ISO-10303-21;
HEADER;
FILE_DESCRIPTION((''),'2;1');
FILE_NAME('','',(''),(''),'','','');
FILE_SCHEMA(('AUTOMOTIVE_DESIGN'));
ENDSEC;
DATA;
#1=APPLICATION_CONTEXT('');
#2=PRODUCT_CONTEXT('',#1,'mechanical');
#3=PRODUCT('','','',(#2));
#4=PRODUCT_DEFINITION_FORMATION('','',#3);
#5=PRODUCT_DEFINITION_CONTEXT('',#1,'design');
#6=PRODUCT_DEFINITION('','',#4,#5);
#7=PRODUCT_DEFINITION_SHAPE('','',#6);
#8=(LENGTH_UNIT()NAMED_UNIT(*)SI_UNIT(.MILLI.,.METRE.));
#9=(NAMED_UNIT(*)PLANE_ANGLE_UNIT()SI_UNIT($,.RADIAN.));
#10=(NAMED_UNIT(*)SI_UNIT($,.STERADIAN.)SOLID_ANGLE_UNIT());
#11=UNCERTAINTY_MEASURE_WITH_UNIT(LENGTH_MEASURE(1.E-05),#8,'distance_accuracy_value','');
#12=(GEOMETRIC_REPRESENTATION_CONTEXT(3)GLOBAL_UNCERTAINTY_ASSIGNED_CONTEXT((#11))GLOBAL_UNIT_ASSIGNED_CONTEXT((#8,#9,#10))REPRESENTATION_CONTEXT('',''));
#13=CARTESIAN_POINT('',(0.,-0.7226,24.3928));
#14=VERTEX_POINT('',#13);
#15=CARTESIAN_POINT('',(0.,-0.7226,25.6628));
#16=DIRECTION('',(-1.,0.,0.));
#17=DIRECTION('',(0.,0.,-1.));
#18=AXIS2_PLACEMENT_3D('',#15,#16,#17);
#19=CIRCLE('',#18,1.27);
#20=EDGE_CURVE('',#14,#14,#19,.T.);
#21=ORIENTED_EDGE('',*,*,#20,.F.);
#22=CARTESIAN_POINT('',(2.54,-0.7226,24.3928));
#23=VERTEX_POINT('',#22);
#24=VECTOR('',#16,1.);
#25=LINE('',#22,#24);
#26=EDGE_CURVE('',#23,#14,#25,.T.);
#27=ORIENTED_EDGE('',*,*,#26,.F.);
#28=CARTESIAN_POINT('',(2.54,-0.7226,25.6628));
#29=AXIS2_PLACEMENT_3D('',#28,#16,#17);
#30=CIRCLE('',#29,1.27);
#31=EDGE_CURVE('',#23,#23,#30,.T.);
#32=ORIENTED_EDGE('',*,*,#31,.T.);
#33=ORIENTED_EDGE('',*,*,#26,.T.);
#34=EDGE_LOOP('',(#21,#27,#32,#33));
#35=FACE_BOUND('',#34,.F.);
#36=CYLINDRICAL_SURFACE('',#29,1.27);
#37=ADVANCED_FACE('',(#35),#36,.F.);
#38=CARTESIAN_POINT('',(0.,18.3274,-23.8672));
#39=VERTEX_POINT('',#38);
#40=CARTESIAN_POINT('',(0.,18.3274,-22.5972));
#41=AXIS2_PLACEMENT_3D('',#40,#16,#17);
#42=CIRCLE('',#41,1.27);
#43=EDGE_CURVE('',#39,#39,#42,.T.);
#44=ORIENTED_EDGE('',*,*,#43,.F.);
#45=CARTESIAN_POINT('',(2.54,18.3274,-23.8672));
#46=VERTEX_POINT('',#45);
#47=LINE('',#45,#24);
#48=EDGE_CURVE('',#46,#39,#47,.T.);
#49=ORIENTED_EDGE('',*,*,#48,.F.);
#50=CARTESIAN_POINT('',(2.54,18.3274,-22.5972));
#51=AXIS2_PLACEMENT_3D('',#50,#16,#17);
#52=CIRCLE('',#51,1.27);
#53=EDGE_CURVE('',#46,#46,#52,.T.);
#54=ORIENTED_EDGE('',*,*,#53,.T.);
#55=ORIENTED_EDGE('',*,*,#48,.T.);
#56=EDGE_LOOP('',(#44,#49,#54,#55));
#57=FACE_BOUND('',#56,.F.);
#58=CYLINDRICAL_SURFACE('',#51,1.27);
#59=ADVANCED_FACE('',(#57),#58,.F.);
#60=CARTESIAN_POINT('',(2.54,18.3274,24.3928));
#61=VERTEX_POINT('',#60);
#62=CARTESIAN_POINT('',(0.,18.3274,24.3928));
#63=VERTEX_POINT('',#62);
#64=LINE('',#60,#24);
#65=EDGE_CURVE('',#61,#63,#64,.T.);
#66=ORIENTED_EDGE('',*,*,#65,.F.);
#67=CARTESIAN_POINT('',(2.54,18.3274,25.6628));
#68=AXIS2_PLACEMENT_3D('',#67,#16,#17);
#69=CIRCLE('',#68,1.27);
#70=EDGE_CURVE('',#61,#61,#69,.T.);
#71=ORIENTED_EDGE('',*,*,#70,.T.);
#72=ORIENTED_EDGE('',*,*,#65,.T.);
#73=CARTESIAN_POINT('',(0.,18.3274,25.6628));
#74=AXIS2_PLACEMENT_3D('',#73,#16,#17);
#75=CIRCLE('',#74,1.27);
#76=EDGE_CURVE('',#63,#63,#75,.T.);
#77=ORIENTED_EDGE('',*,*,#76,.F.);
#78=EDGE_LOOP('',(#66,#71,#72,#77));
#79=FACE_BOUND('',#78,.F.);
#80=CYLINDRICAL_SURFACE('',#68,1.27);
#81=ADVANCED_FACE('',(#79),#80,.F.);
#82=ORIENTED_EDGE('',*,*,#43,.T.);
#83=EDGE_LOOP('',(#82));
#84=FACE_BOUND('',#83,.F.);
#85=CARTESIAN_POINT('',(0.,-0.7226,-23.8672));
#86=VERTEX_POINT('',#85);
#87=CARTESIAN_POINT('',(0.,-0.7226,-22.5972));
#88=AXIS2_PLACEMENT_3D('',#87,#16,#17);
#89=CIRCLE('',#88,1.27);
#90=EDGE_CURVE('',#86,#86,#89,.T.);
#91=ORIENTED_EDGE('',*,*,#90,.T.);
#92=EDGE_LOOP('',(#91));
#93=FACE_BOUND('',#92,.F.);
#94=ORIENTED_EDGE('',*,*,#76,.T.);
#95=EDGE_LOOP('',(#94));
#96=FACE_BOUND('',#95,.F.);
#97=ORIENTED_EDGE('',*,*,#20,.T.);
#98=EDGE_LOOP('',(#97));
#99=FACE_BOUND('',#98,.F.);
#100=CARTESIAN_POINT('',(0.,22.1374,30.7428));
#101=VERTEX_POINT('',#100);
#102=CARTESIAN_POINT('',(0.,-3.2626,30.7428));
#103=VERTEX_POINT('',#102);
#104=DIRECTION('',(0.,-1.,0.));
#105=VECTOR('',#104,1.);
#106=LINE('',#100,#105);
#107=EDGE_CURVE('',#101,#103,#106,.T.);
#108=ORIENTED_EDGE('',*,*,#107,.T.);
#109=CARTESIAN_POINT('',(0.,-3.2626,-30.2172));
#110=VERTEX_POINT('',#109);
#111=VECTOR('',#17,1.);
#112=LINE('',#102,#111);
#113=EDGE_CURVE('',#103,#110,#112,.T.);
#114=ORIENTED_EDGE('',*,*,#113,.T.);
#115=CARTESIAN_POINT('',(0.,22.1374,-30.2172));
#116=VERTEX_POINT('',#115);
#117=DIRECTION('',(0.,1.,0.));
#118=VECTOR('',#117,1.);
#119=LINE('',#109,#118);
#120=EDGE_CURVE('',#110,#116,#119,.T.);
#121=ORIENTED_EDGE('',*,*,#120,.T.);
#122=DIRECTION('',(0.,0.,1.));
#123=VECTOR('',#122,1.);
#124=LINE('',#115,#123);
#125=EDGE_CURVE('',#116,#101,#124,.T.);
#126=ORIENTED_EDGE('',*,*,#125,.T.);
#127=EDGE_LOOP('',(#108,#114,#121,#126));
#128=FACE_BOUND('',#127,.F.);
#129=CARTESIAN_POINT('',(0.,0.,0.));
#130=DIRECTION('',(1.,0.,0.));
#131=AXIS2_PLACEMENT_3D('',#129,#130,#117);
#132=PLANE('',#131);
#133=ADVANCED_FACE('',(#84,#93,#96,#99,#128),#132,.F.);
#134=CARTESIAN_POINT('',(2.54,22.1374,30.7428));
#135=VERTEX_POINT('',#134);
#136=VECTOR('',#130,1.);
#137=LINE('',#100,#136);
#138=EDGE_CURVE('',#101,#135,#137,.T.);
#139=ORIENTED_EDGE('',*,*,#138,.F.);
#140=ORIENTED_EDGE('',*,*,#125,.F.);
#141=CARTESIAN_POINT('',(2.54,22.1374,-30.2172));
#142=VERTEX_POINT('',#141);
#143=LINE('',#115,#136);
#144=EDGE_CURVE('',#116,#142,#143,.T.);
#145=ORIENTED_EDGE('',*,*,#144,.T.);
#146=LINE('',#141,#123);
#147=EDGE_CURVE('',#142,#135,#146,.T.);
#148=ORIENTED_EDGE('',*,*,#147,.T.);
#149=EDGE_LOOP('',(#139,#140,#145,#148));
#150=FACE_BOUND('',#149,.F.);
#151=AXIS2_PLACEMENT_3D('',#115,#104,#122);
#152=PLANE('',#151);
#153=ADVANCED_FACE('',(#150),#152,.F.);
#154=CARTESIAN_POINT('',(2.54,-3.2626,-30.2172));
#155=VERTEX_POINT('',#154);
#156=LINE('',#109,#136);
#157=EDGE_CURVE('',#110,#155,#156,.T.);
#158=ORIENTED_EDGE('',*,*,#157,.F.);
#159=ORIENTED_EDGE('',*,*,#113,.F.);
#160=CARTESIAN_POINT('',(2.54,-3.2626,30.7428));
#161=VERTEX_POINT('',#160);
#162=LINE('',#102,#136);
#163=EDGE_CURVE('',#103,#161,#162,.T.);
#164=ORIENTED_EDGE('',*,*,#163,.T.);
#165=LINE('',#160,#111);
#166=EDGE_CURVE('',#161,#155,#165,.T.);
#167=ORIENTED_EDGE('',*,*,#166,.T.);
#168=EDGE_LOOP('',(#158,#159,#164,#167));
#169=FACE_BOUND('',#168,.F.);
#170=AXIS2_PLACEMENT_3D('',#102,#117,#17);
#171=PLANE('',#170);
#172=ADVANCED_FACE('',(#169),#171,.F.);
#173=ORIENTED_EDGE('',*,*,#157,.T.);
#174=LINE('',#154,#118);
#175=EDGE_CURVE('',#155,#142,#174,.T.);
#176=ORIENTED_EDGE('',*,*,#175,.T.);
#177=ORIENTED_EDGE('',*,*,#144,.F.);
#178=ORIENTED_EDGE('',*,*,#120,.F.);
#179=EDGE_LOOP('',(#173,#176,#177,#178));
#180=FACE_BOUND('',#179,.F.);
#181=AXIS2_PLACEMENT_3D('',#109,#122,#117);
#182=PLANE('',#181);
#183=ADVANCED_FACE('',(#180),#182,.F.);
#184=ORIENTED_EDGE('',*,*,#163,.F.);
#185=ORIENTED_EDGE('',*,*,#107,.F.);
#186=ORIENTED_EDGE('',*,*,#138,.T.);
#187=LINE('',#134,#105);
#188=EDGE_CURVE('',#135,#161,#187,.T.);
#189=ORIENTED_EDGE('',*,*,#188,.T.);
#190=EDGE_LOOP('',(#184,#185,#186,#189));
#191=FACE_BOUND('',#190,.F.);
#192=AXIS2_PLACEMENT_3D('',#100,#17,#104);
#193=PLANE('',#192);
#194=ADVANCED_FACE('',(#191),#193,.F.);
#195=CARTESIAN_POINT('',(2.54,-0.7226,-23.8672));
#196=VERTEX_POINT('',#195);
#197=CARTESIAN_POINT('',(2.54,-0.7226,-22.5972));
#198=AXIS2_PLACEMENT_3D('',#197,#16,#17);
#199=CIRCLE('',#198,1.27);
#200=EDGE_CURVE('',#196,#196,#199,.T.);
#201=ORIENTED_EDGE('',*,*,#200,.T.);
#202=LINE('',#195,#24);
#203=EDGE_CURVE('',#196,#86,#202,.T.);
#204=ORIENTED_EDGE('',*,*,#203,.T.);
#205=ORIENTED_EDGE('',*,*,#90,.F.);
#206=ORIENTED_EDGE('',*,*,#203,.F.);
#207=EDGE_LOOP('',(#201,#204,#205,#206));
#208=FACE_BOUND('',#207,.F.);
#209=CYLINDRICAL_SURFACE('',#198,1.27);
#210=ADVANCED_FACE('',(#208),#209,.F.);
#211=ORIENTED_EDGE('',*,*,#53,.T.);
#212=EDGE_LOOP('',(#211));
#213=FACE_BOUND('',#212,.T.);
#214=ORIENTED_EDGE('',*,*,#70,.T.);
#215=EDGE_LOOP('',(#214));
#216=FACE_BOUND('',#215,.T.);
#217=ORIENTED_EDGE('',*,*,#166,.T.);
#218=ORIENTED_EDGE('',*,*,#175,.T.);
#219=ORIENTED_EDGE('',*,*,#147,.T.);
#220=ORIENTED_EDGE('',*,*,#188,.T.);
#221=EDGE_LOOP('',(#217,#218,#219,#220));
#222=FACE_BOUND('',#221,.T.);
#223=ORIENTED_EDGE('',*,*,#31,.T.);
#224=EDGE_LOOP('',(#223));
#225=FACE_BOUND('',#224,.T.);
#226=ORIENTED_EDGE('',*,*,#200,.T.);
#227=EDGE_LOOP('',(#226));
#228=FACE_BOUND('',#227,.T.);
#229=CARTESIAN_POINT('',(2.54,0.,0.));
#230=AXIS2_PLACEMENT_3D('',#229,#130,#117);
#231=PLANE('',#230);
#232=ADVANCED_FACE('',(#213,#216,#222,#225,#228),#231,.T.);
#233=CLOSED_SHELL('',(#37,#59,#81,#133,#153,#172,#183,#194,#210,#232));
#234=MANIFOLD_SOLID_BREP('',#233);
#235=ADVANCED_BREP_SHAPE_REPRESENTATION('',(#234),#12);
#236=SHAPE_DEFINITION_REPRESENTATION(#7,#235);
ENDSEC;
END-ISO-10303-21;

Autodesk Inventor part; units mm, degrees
ref_plane "YZ Plane" through (0, 0, 0) normal (1, 0, 0) x (0, 1, 0)
ref_plane "XZ Plane" through (0, 0, 0) normal (0, 1, 0) x (-1, 0, 0)
ref_plane "XY Plane" through (0, 0, 0) normal (0, 0, 1) x (1, 0, 0)
sketch "Sketch1" plane through (0, 0, 0) normal (1, 0, 0) x (0, 1, 0)
  line L0 (22.1374, 30.7428) -> (-3.2626, 30.7428)
  line L1 (-3.2626, 30.7428) -> (-3.2626, -30.2172)
  line L2 (-3.2626, -30.2172) -> (22.1374, -30.2172)
  line L3 (22.1374, -30.2172) -> (22.1374, 30.7428)
  point P0 (0, 0)
  dimension "d0" = 60.96
  dimension "d1" = 25.4
extrude "Extrusion1" add sketch "Sketch1" along normal blind 2.54
sketch "Sketch2" plane through (2.54, 0, 0) normal (1, 0, 0) x (0, 0, -1)
  line L0 (-30.7428, -3.2626) -> (30.2172, -3.2626) projected
  point P0 (0, 0)
  point P1 (-25.6628, 18.3274)
  point P2 (-25.6628, -0.7226)
  point P3 (22.5972, -0.7226)
  point P4 (22.5972, 18.3274)
  dimension "d4" = 0
  dimension "d5" = 0
  dimension "d6" = 0
  dimension "d7" = 0
  dimension "d8" = 19.05
  dimension "d9" = 2.54
  dimension "d10" = 5.08
  dimension "d11" = 48.26
hole "Hole1" at (2.54, 18.3274, 25.6628) at (2.54, -0.7226, 25.6628) at (2.54, -0.7226, -22.5972) at (2.54, 18.3274, -22.5972) direction (-1, 0, 0) diameter 2.54 end through all
properties part number "sideplate"
